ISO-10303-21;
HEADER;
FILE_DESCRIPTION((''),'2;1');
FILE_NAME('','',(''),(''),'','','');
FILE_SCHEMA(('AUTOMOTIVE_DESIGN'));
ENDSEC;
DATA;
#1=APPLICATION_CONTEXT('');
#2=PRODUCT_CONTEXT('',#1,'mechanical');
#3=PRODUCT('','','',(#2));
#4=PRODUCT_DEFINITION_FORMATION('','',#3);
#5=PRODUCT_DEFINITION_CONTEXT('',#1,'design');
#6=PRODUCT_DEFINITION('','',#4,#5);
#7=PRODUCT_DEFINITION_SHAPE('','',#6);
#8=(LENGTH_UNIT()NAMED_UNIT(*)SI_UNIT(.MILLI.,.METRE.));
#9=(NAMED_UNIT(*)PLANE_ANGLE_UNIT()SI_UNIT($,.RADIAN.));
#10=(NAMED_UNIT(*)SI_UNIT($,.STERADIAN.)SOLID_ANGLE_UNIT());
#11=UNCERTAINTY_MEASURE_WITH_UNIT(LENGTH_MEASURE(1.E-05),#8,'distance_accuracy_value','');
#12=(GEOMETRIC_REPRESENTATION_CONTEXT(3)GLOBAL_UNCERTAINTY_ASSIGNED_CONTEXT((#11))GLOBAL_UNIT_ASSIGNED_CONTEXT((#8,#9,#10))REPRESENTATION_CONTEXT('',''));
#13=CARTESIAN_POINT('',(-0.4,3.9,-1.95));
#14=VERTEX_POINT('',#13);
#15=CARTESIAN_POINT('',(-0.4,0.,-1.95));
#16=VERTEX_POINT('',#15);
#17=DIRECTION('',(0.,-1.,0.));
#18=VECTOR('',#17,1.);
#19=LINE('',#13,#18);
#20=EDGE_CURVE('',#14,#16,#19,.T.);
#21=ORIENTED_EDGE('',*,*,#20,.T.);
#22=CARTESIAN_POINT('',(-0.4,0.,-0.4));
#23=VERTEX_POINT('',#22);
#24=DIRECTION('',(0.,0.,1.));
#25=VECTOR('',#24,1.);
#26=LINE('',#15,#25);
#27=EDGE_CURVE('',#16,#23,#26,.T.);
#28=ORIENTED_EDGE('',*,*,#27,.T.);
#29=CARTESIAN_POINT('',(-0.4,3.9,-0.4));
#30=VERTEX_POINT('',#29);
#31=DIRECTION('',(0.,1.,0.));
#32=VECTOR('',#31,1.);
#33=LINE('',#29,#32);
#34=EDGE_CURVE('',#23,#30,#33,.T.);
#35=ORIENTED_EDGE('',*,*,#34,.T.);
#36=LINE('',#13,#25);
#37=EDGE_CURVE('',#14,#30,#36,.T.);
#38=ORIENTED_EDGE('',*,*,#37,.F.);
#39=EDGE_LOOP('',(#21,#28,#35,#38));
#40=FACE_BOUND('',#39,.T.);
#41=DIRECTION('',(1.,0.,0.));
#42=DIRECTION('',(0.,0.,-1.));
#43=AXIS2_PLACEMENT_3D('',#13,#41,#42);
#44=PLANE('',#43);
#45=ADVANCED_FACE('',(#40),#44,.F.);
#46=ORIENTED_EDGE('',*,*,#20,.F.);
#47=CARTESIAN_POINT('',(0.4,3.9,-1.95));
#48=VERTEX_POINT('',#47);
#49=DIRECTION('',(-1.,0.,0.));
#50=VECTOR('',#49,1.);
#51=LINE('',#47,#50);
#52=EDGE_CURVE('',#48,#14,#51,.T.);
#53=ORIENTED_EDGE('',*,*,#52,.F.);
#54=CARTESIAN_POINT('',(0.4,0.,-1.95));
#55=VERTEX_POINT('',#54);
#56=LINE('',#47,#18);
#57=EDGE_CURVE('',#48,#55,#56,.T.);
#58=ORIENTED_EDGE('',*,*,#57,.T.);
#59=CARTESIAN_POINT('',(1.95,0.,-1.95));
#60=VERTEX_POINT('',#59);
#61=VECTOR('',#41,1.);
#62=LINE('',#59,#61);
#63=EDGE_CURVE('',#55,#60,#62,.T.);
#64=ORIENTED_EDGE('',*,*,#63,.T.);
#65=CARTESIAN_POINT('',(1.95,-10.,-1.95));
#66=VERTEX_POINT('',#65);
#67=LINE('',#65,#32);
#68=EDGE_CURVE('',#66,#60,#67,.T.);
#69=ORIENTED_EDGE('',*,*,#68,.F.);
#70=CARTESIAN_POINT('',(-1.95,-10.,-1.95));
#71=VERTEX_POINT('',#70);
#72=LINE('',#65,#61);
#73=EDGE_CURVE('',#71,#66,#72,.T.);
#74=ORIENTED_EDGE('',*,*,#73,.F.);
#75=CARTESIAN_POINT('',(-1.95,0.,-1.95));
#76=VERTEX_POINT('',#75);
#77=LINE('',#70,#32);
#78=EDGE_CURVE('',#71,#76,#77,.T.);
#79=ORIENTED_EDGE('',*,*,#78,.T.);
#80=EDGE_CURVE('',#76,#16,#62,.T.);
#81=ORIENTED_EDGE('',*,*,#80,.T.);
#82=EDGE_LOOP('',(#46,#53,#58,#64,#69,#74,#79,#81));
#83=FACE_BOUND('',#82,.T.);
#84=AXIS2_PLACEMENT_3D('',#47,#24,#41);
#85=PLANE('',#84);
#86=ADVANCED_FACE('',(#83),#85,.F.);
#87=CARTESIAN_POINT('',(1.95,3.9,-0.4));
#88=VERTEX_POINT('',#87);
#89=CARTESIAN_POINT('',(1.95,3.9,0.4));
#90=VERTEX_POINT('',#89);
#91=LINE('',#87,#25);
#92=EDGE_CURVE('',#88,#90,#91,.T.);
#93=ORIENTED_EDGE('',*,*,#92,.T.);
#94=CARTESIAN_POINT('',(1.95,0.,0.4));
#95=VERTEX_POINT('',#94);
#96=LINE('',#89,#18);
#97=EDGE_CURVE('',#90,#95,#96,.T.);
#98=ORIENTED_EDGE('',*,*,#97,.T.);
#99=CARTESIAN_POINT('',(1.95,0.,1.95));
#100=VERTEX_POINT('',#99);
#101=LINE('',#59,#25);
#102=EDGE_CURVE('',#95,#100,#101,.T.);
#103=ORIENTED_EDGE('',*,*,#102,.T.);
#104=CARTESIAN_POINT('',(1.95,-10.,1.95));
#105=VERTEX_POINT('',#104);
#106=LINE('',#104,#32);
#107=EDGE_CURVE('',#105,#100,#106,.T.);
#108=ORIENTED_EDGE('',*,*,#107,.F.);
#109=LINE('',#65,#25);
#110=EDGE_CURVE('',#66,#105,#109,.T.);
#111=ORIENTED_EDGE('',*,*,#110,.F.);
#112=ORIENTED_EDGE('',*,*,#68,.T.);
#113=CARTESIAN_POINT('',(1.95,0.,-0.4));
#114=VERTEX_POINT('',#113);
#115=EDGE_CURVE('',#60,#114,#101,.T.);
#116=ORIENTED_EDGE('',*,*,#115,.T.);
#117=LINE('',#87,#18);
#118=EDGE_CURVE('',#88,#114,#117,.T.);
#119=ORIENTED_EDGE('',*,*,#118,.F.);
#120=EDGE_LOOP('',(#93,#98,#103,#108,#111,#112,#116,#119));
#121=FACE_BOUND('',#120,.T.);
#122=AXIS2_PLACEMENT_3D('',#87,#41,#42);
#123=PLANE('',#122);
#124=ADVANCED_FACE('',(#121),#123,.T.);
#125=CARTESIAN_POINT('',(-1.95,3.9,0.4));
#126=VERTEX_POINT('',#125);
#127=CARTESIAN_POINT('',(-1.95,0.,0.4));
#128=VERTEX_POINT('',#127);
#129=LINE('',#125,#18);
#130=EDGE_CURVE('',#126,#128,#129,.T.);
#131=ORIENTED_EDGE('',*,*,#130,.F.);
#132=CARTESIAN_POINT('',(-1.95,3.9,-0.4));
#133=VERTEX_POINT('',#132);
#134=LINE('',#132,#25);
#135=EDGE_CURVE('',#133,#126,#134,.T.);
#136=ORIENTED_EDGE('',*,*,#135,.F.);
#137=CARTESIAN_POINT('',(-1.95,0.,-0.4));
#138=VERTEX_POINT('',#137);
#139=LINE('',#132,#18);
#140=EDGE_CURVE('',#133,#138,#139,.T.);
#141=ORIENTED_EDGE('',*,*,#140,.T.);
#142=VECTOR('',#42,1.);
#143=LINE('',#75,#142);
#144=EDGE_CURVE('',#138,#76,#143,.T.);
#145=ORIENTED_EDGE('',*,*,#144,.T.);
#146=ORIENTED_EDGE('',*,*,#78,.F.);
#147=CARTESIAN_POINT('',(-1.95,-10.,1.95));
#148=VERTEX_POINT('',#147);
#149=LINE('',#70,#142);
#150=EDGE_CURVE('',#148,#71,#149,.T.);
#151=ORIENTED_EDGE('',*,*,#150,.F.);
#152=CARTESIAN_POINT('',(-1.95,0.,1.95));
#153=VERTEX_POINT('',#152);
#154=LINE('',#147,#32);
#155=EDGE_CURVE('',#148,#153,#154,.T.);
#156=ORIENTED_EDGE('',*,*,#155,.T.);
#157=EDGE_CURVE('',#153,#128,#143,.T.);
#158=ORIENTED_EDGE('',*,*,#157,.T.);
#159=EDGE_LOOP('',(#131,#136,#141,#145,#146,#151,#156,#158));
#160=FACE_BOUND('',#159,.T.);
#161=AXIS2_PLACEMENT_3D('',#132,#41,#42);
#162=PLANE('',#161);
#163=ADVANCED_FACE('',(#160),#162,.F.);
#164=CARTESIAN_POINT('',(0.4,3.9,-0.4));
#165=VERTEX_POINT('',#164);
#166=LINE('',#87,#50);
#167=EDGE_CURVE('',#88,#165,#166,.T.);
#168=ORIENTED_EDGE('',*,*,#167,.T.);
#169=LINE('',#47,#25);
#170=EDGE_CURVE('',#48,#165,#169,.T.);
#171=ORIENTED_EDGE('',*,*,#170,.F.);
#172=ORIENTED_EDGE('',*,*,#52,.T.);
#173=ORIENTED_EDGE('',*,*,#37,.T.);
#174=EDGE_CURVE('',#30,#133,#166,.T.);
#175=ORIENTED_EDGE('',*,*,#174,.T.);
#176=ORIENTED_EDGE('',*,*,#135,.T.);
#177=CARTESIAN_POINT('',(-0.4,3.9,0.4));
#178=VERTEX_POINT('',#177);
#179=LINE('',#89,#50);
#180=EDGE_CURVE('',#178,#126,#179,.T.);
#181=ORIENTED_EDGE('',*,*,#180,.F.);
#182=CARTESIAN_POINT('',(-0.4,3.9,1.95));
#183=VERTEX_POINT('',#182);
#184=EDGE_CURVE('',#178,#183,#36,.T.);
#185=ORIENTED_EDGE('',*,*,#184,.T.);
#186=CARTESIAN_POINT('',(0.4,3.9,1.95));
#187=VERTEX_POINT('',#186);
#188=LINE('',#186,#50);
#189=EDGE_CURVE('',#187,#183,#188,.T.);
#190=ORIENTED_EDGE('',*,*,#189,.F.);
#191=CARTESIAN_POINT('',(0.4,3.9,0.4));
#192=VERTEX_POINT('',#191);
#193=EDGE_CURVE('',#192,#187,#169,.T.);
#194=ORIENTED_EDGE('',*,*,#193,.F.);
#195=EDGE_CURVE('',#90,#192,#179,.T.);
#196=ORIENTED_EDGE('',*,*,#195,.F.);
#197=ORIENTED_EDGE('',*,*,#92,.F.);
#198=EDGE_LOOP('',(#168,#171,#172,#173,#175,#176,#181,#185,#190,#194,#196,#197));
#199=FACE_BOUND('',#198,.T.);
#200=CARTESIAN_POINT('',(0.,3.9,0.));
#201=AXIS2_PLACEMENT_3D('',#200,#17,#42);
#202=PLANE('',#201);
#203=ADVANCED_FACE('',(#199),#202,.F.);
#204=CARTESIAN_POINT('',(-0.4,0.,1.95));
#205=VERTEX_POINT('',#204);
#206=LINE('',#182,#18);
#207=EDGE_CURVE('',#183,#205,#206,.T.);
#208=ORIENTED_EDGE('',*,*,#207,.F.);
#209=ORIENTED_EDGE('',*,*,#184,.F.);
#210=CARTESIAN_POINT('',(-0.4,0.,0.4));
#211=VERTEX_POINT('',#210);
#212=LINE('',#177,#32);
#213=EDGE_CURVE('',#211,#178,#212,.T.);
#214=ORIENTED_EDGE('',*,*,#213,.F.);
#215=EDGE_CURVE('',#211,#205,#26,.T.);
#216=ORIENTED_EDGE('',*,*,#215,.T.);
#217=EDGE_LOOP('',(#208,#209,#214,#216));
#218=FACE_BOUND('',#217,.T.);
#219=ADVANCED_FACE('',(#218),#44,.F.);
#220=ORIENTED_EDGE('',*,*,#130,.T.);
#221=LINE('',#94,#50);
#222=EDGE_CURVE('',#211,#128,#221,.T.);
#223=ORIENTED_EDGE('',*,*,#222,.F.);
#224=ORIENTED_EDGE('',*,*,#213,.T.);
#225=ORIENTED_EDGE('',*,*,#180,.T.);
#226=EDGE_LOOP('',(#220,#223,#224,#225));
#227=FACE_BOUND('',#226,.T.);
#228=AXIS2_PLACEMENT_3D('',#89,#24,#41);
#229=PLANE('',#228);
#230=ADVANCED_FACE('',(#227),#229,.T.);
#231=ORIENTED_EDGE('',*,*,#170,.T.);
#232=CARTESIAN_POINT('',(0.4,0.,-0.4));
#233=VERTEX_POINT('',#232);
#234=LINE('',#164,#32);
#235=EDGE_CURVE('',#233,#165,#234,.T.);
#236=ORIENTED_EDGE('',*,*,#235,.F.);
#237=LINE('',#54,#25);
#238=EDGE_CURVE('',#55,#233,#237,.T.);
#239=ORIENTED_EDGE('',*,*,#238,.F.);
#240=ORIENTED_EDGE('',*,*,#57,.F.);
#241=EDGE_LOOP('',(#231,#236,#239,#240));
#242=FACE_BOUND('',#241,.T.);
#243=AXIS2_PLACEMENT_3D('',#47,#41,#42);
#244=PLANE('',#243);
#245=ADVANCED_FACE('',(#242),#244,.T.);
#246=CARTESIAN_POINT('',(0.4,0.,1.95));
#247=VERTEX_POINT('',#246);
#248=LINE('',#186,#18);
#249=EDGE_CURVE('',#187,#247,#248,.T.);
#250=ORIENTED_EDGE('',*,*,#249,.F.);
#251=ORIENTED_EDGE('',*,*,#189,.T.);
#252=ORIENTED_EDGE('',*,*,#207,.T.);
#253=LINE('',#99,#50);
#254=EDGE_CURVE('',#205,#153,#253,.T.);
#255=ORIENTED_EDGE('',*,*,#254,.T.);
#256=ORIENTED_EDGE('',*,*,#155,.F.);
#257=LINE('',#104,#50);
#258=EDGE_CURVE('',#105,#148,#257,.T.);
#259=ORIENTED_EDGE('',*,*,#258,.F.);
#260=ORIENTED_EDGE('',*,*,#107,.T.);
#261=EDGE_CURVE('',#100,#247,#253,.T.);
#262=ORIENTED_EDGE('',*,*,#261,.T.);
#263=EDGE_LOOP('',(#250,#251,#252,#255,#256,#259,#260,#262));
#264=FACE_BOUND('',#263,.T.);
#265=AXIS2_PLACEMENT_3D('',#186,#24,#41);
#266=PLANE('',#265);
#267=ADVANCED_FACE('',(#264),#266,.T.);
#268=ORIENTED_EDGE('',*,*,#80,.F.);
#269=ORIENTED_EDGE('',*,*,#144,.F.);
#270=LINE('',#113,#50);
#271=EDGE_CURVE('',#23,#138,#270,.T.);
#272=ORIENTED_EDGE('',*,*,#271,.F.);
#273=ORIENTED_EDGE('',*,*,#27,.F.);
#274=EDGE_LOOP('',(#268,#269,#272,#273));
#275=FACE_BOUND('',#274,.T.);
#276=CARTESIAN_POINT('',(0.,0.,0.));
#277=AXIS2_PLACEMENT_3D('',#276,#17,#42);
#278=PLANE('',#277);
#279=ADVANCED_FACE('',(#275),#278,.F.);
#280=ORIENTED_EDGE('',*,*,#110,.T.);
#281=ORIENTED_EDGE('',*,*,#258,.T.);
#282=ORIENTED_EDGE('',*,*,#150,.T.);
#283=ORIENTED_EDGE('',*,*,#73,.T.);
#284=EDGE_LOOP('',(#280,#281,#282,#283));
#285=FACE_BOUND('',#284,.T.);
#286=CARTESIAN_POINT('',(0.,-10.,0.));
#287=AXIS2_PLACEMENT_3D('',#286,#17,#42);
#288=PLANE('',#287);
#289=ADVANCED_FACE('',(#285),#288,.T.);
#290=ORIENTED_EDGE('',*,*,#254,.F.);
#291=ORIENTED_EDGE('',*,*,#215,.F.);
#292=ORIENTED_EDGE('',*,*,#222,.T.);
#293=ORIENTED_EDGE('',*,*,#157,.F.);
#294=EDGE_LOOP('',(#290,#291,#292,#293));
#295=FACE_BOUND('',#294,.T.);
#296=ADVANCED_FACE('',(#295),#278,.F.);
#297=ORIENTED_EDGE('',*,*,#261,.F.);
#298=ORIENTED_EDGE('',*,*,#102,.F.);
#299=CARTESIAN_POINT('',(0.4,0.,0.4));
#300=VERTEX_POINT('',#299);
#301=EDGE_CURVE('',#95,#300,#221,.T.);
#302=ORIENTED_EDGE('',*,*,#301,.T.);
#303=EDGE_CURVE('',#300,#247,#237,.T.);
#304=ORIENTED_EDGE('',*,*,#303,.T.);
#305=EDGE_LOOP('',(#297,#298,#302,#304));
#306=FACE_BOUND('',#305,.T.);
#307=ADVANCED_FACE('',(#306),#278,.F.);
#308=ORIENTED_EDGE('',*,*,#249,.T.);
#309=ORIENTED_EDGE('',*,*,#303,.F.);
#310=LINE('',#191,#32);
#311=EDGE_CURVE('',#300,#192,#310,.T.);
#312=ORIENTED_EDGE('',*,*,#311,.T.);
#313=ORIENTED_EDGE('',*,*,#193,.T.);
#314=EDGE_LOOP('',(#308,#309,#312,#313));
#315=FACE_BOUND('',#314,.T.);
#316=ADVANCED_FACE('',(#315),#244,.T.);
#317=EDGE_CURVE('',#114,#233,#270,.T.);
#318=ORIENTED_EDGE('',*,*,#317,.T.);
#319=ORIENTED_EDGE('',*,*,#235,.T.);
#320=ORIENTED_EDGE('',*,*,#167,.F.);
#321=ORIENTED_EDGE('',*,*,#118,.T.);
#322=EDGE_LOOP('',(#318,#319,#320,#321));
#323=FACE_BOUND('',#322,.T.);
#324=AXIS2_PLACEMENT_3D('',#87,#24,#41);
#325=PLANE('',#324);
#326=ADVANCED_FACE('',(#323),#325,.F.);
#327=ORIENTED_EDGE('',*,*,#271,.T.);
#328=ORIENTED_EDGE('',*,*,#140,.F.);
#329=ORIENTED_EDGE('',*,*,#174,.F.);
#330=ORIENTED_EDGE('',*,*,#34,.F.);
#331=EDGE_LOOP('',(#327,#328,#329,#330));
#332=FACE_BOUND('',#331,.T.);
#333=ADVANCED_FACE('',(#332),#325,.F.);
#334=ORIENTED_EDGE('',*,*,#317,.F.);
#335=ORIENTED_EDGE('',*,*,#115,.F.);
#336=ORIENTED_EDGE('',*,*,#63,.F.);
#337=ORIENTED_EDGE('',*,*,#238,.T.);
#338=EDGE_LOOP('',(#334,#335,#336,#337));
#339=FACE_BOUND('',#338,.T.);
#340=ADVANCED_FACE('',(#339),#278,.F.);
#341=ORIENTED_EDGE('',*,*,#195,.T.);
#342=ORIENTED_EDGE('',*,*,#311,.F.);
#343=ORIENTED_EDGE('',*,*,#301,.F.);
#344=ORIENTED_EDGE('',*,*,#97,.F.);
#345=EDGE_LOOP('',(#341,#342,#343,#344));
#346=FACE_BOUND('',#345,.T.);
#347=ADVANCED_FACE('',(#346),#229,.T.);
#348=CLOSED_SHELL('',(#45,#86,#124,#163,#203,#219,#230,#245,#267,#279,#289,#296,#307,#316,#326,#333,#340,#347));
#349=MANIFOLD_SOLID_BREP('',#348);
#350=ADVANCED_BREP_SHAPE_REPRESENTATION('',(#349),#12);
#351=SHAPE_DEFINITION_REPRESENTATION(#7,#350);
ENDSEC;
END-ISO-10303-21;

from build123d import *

# Parameters (mm, degrees)
SKETCH_5_W      = 0.8
SKETCH_5_H      = 3.9
SKETCH_5_W_2    = 3.9
SKETCH_5_H_2    = 0.8
EXTRUDE_1_DEPTH = 3.9
SKETCH_6_W      = 3.9
SKETCH_6_H      = 3.9
EXTRUDE_2_DEPTH = 10


with BuildPart() as part:
    # 草图5 → 凸台-拉伸1 (new body)
    with BuildSketch(Plane(origin=(0, 0, 0), x_dir=(-1, 0, 0), z_dir=(0, 1, 0))):
        Rectangle(SKETCH_5_W, SKETCH_5_H)
        Rectangle(SKETCH_5_W_2, SKETCH_5_H_2)
    extrude(amount=EXTRUDE_1_DEPTH)

    # 草图6 → 凸台-拉伸2 (add)
    with BuildSketch(Plane.XZ):
        Rectangle(SKETCH_6_W, SKETCH_6_H)
    extrude(amount=EXTRUDE_2_DEPTH)


solid = part.part
